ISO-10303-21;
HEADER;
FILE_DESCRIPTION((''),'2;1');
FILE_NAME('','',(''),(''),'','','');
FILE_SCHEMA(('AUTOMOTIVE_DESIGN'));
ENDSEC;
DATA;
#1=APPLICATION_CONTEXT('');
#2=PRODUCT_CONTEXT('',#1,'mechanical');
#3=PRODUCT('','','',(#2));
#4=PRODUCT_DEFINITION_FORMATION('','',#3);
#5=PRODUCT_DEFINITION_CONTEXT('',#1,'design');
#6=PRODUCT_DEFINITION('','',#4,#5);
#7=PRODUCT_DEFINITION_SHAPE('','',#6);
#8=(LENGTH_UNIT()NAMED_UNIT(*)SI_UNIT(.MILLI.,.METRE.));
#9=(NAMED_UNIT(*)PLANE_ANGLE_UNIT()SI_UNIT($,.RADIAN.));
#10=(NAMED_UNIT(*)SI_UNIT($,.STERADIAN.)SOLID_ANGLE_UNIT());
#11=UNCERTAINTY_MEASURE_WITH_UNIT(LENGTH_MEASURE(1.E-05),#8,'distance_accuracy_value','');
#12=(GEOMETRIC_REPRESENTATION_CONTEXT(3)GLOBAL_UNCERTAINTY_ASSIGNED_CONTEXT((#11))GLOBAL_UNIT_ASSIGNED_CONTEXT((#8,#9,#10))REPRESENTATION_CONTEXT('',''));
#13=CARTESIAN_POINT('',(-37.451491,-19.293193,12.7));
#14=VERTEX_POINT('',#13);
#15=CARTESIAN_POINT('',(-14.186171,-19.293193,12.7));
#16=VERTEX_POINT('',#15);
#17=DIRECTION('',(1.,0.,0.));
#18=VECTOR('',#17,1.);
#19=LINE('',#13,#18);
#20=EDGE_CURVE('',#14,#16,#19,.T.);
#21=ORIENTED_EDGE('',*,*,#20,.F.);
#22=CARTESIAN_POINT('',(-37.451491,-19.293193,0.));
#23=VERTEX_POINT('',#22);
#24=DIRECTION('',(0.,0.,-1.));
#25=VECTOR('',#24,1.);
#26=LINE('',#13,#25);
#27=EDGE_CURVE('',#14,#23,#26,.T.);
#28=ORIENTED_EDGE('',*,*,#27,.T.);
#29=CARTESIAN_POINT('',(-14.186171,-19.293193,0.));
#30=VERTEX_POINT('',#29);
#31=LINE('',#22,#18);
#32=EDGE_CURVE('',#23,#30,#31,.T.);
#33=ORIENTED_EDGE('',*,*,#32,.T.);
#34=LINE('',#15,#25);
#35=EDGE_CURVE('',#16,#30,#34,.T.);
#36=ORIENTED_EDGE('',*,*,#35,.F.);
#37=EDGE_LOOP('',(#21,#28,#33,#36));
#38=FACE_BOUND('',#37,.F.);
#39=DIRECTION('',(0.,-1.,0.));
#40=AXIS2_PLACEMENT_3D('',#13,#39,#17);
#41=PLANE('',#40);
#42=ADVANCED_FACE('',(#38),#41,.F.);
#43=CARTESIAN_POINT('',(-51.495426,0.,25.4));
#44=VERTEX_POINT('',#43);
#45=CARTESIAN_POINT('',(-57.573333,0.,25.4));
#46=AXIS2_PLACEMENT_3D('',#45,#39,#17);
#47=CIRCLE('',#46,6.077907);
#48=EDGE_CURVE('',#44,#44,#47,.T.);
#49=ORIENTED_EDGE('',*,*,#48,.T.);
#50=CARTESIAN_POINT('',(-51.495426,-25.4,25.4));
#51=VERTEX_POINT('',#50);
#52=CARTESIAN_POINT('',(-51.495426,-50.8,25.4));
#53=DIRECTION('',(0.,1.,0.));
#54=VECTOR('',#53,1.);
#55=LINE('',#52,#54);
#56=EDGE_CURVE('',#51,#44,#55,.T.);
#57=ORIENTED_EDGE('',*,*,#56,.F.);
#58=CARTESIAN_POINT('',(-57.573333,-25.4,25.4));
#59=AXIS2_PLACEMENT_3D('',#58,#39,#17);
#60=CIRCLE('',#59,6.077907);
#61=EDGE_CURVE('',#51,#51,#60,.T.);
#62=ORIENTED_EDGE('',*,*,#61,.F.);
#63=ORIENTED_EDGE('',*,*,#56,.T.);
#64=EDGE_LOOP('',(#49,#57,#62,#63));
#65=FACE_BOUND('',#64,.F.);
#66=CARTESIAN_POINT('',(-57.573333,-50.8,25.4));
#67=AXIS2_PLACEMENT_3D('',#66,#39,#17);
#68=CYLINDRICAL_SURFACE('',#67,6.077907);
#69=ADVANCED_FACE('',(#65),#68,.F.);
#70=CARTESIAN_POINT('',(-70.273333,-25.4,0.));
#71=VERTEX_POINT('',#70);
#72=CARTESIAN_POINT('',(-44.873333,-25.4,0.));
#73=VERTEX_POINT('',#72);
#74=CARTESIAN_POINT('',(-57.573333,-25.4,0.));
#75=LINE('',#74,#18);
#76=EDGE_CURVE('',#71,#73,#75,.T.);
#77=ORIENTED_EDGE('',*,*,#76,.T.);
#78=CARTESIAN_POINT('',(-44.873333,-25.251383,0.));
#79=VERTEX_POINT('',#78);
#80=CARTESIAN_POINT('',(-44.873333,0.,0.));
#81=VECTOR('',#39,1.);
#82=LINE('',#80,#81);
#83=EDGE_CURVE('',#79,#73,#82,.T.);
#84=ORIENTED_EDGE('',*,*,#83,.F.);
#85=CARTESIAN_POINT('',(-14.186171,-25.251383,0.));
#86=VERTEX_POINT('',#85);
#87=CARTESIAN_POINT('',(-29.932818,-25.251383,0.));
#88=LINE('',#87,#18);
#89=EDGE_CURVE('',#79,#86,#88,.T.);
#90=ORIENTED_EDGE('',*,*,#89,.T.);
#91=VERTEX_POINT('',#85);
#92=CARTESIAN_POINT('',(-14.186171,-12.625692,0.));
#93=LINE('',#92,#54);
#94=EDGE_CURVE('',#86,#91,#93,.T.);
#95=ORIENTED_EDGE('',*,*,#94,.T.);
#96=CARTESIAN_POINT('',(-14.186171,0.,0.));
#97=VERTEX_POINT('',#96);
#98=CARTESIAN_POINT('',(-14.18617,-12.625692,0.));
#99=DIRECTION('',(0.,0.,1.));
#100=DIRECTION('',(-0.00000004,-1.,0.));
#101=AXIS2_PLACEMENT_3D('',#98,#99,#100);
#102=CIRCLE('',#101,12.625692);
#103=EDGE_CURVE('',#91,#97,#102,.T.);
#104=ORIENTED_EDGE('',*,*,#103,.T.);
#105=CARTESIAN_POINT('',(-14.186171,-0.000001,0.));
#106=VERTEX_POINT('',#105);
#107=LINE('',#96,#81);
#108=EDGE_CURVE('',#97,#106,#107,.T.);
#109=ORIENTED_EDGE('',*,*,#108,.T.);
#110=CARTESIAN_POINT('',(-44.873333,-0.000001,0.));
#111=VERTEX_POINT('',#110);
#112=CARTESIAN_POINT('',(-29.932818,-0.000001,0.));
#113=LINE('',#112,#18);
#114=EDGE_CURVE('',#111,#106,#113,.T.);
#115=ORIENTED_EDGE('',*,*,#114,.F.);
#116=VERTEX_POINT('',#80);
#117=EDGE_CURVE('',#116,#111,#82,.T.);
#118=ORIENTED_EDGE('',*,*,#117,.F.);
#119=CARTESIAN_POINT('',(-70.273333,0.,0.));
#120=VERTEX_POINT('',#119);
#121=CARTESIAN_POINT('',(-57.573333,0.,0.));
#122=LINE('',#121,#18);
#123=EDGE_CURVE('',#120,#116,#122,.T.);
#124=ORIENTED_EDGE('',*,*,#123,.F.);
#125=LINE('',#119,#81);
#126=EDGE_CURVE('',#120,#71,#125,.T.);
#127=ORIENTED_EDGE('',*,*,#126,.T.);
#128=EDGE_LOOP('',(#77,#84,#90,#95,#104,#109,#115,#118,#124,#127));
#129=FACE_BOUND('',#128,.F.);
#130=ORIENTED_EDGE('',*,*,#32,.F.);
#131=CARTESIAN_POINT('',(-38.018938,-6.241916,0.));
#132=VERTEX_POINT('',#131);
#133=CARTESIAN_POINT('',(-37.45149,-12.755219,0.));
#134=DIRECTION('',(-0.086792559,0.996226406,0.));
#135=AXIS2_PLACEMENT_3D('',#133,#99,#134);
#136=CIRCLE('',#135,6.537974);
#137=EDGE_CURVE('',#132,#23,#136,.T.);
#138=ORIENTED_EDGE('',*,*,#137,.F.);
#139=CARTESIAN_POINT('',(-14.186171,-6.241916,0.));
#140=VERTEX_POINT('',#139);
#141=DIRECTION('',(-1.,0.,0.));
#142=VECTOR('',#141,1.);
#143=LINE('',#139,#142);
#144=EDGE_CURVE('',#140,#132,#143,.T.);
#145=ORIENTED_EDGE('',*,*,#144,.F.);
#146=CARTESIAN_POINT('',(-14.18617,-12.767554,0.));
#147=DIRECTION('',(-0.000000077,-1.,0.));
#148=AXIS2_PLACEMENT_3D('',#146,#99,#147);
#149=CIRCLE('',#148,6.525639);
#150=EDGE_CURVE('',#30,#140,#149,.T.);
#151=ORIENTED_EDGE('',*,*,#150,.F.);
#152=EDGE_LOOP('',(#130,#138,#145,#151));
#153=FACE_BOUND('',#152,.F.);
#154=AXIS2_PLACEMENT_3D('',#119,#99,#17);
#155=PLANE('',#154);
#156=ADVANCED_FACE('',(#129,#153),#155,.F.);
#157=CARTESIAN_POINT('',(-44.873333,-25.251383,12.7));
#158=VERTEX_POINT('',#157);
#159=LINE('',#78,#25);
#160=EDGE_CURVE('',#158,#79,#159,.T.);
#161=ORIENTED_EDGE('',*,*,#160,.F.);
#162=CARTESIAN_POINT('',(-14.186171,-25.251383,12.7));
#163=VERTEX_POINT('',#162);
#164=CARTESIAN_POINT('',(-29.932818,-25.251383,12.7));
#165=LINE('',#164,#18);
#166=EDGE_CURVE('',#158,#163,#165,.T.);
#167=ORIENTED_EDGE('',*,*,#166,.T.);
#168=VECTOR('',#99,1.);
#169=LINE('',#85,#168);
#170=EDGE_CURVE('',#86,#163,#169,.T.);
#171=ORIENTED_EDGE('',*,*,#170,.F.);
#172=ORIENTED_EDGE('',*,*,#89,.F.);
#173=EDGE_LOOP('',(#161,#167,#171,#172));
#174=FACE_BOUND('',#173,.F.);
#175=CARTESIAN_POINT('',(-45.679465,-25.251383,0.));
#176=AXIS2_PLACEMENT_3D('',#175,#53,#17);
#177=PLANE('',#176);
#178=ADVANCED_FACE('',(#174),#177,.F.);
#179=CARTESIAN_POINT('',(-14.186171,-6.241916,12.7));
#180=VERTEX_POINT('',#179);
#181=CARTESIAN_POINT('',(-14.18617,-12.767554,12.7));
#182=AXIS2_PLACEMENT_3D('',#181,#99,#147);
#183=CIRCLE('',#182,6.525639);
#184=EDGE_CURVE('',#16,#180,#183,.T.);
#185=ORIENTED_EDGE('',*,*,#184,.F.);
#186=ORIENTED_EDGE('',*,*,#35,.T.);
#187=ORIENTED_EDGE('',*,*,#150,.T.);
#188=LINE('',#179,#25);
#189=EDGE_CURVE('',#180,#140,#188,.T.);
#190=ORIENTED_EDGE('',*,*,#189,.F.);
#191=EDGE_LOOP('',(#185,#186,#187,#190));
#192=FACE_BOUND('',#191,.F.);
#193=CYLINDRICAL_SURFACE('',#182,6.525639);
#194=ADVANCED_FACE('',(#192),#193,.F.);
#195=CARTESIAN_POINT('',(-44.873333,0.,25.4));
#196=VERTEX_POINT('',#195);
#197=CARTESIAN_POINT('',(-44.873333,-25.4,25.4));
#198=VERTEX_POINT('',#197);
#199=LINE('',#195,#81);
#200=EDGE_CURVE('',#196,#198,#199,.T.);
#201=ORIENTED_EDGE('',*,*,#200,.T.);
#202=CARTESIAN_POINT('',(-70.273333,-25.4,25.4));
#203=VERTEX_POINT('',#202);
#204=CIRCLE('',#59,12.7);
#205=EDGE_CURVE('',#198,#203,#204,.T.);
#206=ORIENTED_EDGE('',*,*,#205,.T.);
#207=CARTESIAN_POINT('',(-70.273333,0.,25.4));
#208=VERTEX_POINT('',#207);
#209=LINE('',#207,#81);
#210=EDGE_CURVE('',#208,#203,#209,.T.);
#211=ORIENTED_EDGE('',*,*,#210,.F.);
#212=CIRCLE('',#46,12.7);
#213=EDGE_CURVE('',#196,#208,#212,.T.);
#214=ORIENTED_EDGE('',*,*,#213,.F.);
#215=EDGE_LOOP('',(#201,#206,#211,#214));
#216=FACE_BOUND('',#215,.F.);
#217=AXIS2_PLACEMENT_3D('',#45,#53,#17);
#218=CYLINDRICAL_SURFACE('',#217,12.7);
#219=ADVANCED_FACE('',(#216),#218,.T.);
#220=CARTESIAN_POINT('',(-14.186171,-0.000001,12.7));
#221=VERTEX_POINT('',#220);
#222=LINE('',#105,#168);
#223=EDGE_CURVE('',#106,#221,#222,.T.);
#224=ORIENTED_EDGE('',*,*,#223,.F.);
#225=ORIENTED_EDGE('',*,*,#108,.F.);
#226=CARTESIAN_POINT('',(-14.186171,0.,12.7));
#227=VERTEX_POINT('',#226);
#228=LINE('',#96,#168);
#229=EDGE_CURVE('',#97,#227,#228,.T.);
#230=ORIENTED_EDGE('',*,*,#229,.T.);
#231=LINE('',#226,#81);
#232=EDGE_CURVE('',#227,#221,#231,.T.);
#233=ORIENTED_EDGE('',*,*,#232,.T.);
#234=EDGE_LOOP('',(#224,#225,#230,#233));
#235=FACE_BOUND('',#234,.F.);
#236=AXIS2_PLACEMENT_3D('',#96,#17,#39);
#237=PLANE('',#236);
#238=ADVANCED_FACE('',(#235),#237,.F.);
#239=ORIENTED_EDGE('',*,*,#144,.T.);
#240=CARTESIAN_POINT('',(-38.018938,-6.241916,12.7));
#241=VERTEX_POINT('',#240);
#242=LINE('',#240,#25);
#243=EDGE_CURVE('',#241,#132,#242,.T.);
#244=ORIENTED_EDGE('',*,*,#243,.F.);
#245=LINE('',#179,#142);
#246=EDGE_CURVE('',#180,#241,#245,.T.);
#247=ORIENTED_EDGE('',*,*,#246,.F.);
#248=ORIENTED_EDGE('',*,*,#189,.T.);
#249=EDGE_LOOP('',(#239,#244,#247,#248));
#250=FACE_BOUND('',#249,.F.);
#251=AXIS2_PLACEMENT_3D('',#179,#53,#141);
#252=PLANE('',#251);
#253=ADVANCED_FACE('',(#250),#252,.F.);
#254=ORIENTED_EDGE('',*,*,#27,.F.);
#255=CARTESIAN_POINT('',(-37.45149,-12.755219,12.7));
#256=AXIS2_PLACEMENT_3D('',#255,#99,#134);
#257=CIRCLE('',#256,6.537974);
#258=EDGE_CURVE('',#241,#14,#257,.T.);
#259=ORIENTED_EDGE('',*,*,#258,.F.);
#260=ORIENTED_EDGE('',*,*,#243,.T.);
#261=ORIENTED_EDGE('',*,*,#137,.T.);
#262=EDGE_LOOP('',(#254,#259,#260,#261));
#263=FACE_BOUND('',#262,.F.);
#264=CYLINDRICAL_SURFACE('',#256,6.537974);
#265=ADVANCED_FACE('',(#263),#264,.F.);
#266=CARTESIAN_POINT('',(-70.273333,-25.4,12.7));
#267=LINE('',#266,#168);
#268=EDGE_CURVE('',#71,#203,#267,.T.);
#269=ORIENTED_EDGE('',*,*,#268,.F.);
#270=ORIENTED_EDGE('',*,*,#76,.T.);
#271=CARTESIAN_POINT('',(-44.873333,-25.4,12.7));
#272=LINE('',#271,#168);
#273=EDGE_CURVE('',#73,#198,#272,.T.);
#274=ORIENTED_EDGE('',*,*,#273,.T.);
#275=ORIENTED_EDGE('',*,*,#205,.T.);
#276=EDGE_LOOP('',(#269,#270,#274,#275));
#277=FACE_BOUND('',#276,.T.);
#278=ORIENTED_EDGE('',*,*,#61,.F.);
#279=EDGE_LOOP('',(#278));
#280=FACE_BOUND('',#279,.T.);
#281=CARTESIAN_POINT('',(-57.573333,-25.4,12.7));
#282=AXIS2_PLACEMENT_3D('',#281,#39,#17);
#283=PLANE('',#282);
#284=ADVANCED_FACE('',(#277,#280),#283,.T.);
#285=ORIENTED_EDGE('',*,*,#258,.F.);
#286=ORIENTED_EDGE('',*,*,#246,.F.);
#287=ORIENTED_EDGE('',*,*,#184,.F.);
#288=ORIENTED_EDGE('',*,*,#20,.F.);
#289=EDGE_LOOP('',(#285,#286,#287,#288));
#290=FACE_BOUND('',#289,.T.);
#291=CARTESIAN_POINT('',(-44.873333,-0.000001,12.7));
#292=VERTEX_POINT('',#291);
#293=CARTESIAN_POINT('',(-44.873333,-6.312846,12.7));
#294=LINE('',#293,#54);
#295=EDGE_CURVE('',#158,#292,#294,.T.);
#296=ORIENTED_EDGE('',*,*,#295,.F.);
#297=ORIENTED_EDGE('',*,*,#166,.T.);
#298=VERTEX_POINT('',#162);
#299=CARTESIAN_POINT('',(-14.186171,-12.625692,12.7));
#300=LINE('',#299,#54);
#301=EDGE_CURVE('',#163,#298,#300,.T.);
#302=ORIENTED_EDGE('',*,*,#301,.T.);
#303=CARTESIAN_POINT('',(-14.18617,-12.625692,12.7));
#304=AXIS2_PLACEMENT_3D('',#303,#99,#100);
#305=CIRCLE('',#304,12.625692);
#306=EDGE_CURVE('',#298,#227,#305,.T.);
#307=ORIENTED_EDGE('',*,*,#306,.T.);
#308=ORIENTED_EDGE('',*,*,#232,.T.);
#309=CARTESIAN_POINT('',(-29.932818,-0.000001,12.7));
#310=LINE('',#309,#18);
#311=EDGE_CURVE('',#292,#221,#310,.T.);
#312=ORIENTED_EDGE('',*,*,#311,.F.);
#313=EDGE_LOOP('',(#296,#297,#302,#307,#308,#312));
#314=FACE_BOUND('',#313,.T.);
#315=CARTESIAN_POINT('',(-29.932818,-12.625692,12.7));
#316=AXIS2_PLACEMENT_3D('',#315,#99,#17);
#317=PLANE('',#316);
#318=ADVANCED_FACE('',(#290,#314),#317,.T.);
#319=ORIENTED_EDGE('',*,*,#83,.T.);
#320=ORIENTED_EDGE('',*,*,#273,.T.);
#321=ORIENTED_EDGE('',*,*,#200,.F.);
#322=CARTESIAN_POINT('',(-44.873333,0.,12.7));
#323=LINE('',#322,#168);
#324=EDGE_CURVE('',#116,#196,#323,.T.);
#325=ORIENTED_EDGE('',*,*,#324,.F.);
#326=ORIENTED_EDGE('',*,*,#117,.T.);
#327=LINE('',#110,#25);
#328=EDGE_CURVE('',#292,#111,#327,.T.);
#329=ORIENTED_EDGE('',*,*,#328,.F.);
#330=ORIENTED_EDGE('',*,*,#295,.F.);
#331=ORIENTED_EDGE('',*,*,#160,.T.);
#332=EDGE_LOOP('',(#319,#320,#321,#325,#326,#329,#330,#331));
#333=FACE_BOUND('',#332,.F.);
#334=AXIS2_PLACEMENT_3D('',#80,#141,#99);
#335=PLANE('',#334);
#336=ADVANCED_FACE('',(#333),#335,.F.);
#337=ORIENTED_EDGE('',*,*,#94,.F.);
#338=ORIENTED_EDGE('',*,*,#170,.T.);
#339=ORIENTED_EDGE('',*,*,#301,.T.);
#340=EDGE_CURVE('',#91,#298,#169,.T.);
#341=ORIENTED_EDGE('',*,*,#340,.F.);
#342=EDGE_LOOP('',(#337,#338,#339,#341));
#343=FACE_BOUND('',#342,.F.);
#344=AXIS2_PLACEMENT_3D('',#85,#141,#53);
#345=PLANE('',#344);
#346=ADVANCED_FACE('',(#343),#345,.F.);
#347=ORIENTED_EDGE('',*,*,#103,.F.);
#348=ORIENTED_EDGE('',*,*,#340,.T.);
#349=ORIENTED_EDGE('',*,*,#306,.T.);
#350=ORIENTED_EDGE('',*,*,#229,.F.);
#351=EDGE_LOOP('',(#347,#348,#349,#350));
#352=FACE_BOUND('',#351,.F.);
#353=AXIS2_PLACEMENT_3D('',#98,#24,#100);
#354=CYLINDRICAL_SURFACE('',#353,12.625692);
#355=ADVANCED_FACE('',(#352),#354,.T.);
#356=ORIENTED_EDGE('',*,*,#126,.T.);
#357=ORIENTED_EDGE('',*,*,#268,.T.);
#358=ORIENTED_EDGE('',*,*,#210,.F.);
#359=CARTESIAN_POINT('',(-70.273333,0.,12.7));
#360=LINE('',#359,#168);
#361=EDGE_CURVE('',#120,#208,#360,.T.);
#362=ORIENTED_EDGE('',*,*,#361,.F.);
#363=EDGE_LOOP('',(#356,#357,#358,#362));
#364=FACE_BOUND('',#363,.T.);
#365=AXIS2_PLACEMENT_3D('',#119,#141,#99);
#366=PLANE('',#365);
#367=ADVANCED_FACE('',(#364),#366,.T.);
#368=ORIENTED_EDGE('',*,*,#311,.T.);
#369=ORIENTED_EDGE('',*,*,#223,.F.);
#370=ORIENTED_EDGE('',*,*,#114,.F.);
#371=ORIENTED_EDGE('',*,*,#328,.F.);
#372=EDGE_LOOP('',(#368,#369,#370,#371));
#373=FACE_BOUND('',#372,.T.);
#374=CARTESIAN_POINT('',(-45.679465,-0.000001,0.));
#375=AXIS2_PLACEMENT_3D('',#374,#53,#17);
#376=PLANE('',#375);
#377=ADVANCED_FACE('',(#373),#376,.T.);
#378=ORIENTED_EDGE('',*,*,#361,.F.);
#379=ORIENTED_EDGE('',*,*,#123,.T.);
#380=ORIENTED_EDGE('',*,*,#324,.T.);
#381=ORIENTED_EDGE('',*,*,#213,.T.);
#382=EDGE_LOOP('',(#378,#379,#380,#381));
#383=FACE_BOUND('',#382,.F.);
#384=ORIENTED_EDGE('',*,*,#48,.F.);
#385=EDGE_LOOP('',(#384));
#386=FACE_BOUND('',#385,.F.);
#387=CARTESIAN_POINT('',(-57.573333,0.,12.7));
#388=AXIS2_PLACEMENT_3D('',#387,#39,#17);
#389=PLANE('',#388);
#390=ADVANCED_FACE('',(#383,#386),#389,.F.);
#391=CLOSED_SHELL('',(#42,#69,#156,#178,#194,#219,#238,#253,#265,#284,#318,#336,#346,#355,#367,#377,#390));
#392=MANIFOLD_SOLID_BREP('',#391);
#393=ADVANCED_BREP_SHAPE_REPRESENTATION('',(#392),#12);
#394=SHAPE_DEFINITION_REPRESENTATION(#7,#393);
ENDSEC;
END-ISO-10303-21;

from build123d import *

# Parameters (mm, degrees)
F0_W      = 25.4
F0_H      = 25.4
F1_DEPTH  = 25.4
F2_W      = 31.493294
F2_H      = 25.251383
F3_DEPTH  = 12.7
F4_R      = 6.077907
F5_DEPTH  = 25.4
F5_FACE_R = 6.077907
F6_DEPTH  = 50.8
F8_DEPTH  = 12.7


with BuildPart() as f1:
    # F0 (on Front) → F1 (new body)
    with BuildSketch(Plane.XZ):
        with Locations((-57.573333, 12.7)):
            Rectangle(F0_W, F0_H)
        with BuildLine():
            ThreePointArc((-44.873333, 25.4), (-57.573333, 38.1), (-70.273333, 25.4))
            Line((-70.273333, 25.4), (-44.873333, 25.4))
        make_face()
    extrude(amount=F1_DEPTH)

    # F2 (on Top) → F3 (join)
    with BuildSketch(Plane.XY):
        with Locations((-29.932818, -12.625692)):
            Rectangle(F2_W, F2_H)
        with BuildLine():
            ThreePointArc((-14.186171, -25.251383), (-1.560479, -12.625691), (-14.186171, 0))
            Line((-14.186171, 0), (-14.186171, -25.251383))
        make_face()
    extrude(amount=F3_DEPTH)

    # F4 (on face) → F5 (join)
    with BuildSketch(Plane.XZ.offset(25.4)):
        with Locations((-57.573333, 25.4)):
            Circle(F4_R)
    extrude(amount=F5_DEPTH)

    # F5_face (on face) → F6 (cut)
    with BuildSketch(Plane(origin=(-57.573333, -50.8, 25.4), x_dir=(1, 0, 0), z_dir=(0, -1, 0))):
        Circle(F5_FACE_R)
    extrude(amount=-F6_DEPTH, mode=Mode.SUBTRACT)

    # F7 (on face) → F8 (cut)
    with BuildSketch(Plane.XY.offset(12.7)):
        with BuildLine():
            ThreePointArc((-14.186171, -19.293193), (-7.660532, -12.767554), (-14.186171, -6.241916))
            Line((-14.186171, -6.241916), (-38.018938, -6.241916))
            ThreePointArc((-38.018938, -6.241916), (-43.983294, -13.03921), (-37.451491, -19.293193))
            Line((-37.451491, -19.293193), (-14.186171, -19.293193))
        make_face()
    extrude(amount=-F8_DEPTH, mode=Mode.SUBTRACT)


solid = f1.part
